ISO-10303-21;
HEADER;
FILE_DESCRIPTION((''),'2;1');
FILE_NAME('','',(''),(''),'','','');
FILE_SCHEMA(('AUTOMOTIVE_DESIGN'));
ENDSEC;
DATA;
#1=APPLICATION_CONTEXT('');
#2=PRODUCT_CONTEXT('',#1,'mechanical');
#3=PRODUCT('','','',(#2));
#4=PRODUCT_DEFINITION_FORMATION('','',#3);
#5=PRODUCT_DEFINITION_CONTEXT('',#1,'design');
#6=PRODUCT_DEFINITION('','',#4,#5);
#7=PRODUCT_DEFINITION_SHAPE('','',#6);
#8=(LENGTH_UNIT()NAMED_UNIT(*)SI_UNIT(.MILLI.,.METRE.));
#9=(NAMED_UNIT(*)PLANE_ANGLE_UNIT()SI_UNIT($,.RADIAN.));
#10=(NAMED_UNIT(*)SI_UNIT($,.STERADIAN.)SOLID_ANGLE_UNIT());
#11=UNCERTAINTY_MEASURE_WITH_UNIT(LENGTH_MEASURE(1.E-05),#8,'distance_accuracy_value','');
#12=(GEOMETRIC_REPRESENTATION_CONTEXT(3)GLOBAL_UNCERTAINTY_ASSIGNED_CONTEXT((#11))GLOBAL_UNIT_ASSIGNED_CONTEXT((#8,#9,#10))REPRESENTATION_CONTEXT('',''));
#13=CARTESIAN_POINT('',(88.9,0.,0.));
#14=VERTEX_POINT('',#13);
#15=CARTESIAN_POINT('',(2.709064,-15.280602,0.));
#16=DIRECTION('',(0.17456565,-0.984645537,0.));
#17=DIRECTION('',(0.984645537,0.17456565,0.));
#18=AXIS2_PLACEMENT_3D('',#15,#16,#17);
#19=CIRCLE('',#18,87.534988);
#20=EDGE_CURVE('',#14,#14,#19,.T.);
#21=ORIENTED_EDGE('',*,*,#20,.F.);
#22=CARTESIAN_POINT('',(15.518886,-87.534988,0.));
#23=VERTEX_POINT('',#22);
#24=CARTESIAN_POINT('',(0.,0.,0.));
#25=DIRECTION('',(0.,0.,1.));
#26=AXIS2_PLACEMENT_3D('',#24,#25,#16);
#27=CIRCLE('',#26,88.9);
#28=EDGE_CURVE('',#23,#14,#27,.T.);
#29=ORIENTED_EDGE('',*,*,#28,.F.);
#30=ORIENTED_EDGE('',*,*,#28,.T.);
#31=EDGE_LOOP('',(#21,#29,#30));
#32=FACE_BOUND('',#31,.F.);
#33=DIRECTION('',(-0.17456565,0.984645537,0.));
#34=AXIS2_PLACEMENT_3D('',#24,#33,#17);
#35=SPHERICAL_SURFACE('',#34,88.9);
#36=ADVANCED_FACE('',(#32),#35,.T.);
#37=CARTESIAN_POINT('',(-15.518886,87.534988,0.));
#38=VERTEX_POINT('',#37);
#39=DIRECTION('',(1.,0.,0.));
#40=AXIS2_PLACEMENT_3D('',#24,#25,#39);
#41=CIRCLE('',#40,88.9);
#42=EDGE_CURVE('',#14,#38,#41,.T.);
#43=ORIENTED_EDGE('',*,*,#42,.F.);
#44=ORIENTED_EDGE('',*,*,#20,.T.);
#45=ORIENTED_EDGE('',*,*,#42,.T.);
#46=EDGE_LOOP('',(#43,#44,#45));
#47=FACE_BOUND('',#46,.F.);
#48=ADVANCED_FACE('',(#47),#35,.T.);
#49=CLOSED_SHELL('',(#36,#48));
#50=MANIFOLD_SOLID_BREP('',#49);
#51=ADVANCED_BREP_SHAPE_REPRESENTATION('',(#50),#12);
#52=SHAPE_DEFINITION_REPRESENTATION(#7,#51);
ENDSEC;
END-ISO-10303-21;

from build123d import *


with BuildPart() as part:
    # Sketch1 one side → Revolve1 (revolve)
    with BuildSketch(Plane.XY):
        with BuildLine():
            ThreePointArc((15.518886296, -87.534988251), (68.127964125, -57.112087198), (88.9, 0))
            ThreePointArc((88.9, 0), (57.112087198, 68.127964125), (-15.518886296, 87.534988251))
            Line((-15.518886296, 87.534988251), (15.518886296, -87.534988251))
        make_face()
    revolve(axis=Axis((-15.518886296, 87.534988251, 0), (0.17456565, -0.984645537, 0)))


solid = part.part
